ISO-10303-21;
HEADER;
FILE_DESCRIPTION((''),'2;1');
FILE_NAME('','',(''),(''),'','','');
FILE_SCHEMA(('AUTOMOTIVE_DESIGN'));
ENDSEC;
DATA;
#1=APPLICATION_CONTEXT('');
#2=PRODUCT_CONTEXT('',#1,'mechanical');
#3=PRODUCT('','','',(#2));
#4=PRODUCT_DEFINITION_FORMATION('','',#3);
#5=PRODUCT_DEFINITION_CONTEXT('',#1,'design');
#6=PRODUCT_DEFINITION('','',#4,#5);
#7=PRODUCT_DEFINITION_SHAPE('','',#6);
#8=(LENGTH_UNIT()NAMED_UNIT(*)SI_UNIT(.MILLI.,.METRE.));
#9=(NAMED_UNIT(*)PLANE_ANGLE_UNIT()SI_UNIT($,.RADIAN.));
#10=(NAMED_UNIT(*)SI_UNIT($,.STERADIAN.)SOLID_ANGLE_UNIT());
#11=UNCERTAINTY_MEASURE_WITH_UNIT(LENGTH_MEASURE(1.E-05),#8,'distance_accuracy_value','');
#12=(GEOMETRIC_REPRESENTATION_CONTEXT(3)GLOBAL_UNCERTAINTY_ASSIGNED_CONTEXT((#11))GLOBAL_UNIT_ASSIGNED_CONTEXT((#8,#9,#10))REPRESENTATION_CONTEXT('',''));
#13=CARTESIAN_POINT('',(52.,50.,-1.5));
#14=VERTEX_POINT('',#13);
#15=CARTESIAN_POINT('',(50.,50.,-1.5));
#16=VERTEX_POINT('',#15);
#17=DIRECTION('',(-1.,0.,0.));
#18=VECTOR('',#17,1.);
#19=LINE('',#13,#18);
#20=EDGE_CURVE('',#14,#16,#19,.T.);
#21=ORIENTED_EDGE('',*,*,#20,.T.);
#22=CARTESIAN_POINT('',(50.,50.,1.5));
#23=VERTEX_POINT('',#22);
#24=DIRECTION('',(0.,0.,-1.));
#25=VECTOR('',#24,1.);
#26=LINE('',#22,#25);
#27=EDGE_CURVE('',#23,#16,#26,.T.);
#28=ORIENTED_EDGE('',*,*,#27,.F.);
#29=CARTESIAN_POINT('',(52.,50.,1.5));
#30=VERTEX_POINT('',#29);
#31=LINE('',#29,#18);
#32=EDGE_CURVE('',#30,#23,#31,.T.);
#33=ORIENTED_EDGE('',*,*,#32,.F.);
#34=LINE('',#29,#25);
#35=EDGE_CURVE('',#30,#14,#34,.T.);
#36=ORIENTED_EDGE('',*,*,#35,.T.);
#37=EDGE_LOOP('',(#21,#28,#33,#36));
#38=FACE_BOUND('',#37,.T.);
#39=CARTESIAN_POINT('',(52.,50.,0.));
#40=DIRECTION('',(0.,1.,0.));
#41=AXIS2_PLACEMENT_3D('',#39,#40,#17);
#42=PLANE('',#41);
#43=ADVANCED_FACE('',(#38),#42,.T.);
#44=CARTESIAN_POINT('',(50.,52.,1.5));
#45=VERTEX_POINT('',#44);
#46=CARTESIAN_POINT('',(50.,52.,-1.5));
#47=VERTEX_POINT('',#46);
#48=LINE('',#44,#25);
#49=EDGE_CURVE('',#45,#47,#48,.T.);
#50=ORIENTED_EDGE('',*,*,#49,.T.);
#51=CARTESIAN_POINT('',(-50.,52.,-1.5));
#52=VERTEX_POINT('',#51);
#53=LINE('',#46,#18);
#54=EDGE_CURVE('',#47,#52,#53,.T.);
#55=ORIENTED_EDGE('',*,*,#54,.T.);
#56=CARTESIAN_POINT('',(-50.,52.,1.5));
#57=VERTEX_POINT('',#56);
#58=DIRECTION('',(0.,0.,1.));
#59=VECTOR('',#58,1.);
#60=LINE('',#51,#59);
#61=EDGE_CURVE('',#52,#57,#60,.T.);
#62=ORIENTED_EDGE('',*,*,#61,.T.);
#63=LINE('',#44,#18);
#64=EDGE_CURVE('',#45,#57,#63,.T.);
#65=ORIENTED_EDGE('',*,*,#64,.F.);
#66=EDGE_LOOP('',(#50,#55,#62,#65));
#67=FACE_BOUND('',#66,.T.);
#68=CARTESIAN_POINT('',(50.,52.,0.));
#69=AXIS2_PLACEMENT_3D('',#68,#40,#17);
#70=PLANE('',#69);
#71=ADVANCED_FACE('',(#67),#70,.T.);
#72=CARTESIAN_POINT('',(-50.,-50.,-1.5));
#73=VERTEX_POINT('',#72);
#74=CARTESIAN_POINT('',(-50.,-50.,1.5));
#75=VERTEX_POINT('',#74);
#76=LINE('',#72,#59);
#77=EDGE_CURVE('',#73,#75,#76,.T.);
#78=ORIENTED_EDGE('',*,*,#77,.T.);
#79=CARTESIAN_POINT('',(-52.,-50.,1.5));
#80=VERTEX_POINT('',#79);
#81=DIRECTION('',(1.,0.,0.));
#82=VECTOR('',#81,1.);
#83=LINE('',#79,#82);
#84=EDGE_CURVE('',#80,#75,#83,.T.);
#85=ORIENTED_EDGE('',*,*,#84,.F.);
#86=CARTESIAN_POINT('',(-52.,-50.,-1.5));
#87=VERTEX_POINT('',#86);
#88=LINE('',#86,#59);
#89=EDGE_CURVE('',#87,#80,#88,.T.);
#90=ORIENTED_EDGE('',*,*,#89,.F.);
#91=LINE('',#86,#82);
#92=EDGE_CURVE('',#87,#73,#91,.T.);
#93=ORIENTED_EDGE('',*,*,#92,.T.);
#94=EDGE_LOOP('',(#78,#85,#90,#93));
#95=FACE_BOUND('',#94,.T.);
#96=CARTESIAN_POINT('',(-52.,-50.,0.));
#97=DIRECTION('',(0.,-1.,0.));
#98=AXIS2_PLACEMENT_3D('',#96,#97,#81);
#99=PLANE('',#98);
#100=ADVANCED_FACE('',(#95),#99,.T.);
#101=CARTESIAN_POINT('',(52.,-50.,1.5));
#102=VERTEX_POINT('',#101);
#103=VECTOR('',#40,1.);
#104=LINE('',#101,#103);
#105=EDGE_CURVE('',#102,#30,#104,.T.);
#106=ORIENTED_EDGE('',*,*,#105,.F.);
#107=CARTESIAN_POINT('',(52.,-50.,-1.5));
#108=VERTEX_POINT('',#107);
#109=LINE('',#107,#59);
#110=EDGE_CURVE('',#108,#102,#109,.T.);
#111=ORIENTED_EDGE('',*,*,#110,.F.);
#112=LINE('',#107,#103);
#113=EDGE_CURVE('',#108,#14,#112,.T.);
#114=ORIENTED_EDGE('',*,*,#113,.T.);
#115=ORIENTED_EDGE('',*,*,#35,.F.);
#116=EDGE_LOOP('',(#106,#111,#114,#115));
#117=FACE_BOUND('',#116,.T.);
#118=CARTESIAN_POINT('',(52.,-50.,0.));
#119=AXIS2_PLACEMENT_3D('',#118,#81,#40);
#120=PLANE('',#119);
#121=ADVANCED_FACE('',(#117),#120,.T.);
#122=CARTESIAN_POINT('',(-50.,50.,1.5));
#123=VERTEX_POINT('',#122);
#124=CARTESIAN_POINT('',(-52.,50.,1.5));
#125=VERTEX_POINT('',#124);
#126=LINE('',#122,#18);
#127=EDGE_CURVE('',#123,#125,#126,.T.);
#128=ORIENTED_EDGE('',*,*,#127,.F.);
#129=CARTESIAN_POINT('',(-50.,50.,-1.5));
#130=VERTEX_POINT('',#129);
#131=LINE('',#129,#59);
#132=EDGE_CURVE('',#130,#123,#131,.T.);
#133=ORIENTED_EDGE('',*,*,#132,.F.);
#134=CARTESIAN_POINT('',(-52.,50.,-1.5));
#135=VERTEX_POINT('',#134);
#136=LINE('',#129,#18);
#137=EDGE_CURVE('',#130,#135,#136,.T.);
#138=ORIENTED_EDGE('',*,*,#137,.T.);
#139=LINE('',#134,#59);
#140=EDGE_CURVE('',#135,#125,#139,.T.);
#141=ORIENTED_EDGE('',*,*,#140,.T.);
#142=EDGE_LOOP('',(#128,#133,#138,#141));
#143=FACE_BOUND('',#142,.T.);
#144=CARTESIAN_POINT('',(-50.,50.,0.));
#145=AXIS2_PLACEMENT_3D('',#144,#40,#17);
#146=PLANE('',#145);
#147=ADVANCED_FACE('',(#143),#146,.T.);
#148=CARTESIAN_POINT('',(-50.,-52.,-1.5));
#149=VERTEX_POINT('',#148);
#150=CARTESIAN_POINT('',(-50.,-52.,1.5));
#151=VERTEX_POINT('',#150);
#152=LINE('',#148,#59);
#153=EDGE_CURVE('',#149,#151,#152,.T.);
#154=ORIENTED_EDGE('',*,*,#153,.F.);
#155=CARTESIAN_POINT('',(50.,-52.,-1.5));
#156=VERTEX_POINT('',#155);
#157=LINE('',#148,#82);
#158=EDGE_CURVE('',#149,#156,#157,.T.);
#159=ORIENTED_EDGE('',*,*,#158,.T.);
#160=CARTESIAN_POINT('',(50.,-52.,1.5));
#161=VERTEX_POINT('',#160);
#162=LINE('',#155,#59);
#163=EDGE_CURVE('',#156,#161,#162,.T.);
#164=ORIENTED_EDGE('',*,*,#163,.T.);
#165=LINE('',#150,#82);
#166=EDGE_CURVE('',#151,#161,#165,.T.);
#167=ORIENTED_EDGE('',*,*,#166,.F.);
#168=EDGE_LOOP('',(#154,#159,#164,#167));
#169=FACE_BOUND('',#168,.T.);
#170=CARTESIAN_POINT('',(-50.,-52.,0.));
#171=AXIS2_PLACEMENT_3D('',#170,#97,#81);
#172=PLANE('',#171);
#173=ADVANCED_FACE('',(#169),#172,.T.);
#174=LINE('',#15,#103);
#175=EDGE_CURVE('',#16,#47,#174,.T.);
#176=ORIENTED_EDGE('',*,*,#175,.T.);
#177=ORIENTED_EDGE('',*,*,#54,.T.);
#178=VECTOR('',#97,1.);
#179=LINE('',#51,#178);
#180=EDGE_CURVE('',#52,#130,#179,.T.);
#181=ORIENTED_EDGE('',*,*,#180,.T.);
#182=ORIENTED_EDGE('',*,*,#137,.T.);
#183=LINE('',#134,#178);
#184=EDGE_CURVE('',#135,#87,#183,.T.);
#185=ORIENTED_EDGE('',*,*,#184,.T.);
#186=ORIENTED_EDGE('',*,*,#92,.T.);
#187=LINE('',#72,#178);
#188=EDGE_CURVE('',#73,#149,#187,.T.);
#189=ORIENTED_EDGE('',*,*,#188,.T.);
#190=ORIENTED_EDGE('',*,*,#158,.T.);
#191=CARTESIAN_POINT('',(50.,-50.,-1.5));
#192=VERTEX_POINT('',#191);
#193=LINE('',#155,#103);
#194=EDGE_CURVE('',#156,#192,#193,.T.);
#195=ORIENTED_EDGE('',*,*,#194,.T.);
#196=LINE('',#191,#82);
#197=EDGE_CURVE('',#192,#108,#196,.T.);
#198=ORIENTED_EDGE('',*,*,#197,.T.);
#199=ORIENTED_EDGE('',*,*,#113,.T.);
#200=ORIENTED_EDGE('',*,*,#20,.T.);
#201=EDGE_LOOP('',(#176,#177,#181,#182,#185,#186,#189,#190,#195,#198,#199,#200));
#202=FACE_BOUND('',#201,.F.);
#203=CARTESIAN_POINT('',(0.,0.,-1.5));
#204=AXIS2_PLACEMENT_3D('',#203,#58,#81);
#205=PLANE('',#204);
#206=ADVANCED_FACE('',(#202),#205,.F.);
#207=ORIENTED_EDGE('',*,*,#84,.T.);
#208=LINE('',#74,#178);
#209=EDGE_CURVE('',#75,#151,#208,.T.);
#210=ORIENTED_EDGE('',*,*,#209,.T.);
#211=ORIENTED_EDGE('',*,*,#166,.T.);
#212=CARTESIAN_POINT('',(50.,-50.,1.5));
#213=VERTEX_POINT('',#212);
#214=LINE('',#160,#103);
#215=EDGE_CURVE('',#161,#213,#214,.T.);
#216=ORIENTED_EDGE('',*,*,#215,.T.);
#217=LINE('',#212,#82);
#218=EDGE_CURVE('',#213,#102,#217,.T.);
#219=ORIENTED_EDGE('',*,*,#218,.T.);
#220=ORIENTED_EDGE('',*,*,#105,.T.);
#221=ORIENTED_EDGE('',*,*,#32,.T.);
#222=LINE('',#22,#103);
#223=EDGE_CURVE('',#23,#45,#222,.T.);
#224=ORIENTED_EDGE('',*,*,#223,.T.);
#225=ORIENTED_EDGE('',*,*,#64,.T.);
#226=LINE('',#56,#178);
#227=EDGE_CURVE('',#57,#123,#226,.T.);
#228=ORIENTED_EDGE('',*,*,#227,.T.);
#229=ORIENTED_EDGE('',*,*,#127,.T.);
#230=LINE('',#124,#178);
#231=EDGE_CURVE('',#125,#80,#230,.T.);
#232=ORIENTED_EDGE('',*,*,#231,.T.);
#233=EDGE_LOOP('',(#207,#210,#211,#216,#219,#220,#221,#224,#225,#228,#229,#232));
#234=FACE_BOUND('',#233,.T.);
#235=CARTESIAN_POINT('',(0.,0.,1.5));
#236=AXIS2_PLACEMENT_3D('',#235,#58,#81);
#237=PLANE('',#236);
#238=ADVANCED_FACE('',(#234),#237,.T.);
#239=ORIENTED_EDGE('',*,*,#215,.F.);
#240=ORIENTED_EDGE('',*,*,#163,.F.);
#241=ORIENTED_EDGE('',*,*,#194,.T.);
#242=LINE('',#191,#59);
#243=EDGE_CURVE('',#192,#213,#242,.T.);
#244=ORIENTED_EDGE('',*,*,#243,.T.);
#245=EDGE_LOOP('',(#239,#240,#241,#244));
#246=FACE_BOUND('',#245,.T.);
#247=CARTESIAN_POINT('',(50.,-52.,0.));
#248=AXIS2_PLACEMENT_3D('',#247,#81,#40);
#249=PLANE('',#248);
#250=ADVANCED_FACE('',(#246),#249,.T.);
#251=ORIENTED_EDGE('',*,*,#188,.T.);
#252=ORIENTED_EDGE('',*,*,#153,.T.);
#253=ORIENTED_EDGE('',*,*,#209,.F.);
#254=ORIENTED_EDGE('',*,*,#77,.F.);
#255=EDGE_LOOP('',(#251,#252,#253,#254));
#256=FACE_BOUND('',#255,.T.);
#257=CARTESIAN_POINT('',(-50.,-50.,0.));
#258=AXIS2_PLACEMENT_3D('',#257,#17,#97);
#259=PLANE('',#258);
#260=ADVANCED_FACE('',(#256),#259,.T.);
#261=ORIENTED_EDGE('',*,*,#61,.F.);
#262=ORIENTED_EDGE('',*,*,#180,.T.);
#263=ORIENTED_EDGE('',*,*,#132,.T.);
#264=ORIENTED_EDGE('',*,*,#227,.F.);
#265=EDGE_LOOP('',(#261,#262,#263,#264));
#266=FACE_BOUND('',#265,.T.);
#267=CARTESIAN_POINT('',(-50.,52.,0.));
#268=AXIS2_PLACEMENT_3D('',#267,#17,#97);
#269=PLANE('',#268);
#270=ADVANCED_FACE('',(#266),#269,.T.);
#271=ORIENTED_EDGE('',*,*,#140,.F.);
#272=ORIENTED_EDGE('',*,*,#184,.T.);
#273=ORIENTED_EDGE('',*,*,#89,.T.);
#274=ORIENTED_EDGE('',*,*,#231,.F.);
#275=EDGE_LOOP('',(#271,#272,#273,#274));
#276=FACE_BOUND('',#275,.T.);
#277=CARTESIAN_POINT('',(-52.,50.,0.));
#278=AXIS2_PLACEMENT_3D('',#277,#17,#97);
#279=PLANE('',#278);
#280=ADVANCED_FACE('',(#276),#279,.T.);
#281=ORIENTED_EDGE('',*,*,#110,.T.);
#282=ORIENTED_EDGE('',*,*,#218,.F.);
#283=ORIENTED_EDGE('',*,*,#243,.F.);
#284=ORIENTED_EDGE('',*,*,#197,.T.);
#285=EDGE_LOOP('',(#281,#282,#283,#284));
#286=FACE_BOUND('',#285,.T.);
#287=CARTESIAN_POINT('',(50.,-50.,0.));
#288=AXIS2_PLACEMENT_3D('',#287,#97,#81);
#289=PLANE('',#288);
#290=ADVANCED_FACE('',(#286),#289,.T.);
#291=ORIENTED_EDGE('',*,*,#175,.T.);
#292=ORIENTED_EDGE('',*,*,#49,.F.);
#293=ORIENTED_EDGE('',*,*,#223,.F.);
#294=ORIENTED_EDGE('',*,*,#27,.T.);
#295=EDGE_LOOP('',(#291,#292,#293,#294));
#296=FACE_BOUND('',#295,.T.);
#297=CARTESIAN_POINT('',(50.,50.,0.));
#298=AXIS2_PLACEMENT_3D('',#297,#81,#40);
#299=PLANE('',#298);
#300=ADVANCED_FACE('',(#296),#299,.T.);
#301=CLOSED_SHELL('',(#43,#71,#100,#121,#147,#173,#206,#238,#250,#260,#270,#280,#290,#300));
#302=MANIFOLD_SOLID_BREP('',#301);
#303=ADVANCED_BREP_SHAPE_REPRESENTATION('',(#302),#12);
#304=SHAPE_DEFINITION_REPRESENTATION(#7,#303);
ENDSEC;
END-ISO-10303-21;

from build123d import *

# Parameters (mm, degrees)
F1_DEPTH = 1.5


with BuildPart() as f1:
    # F0 (on Top) → F1 (new body, symmetric)
    with BuildSketch(Plane.XY):
        Polygon((50, 52), (-50, 52), (-50, 50), (-52, 50), (-52, -50), (-50, -50), (-50, -52), (50, -52), (50, -50), (52, -50), (52, 50), (50, 50), align=None)
    extrude(amount=F1_DEPTH, both=True)


solid = f1.part
